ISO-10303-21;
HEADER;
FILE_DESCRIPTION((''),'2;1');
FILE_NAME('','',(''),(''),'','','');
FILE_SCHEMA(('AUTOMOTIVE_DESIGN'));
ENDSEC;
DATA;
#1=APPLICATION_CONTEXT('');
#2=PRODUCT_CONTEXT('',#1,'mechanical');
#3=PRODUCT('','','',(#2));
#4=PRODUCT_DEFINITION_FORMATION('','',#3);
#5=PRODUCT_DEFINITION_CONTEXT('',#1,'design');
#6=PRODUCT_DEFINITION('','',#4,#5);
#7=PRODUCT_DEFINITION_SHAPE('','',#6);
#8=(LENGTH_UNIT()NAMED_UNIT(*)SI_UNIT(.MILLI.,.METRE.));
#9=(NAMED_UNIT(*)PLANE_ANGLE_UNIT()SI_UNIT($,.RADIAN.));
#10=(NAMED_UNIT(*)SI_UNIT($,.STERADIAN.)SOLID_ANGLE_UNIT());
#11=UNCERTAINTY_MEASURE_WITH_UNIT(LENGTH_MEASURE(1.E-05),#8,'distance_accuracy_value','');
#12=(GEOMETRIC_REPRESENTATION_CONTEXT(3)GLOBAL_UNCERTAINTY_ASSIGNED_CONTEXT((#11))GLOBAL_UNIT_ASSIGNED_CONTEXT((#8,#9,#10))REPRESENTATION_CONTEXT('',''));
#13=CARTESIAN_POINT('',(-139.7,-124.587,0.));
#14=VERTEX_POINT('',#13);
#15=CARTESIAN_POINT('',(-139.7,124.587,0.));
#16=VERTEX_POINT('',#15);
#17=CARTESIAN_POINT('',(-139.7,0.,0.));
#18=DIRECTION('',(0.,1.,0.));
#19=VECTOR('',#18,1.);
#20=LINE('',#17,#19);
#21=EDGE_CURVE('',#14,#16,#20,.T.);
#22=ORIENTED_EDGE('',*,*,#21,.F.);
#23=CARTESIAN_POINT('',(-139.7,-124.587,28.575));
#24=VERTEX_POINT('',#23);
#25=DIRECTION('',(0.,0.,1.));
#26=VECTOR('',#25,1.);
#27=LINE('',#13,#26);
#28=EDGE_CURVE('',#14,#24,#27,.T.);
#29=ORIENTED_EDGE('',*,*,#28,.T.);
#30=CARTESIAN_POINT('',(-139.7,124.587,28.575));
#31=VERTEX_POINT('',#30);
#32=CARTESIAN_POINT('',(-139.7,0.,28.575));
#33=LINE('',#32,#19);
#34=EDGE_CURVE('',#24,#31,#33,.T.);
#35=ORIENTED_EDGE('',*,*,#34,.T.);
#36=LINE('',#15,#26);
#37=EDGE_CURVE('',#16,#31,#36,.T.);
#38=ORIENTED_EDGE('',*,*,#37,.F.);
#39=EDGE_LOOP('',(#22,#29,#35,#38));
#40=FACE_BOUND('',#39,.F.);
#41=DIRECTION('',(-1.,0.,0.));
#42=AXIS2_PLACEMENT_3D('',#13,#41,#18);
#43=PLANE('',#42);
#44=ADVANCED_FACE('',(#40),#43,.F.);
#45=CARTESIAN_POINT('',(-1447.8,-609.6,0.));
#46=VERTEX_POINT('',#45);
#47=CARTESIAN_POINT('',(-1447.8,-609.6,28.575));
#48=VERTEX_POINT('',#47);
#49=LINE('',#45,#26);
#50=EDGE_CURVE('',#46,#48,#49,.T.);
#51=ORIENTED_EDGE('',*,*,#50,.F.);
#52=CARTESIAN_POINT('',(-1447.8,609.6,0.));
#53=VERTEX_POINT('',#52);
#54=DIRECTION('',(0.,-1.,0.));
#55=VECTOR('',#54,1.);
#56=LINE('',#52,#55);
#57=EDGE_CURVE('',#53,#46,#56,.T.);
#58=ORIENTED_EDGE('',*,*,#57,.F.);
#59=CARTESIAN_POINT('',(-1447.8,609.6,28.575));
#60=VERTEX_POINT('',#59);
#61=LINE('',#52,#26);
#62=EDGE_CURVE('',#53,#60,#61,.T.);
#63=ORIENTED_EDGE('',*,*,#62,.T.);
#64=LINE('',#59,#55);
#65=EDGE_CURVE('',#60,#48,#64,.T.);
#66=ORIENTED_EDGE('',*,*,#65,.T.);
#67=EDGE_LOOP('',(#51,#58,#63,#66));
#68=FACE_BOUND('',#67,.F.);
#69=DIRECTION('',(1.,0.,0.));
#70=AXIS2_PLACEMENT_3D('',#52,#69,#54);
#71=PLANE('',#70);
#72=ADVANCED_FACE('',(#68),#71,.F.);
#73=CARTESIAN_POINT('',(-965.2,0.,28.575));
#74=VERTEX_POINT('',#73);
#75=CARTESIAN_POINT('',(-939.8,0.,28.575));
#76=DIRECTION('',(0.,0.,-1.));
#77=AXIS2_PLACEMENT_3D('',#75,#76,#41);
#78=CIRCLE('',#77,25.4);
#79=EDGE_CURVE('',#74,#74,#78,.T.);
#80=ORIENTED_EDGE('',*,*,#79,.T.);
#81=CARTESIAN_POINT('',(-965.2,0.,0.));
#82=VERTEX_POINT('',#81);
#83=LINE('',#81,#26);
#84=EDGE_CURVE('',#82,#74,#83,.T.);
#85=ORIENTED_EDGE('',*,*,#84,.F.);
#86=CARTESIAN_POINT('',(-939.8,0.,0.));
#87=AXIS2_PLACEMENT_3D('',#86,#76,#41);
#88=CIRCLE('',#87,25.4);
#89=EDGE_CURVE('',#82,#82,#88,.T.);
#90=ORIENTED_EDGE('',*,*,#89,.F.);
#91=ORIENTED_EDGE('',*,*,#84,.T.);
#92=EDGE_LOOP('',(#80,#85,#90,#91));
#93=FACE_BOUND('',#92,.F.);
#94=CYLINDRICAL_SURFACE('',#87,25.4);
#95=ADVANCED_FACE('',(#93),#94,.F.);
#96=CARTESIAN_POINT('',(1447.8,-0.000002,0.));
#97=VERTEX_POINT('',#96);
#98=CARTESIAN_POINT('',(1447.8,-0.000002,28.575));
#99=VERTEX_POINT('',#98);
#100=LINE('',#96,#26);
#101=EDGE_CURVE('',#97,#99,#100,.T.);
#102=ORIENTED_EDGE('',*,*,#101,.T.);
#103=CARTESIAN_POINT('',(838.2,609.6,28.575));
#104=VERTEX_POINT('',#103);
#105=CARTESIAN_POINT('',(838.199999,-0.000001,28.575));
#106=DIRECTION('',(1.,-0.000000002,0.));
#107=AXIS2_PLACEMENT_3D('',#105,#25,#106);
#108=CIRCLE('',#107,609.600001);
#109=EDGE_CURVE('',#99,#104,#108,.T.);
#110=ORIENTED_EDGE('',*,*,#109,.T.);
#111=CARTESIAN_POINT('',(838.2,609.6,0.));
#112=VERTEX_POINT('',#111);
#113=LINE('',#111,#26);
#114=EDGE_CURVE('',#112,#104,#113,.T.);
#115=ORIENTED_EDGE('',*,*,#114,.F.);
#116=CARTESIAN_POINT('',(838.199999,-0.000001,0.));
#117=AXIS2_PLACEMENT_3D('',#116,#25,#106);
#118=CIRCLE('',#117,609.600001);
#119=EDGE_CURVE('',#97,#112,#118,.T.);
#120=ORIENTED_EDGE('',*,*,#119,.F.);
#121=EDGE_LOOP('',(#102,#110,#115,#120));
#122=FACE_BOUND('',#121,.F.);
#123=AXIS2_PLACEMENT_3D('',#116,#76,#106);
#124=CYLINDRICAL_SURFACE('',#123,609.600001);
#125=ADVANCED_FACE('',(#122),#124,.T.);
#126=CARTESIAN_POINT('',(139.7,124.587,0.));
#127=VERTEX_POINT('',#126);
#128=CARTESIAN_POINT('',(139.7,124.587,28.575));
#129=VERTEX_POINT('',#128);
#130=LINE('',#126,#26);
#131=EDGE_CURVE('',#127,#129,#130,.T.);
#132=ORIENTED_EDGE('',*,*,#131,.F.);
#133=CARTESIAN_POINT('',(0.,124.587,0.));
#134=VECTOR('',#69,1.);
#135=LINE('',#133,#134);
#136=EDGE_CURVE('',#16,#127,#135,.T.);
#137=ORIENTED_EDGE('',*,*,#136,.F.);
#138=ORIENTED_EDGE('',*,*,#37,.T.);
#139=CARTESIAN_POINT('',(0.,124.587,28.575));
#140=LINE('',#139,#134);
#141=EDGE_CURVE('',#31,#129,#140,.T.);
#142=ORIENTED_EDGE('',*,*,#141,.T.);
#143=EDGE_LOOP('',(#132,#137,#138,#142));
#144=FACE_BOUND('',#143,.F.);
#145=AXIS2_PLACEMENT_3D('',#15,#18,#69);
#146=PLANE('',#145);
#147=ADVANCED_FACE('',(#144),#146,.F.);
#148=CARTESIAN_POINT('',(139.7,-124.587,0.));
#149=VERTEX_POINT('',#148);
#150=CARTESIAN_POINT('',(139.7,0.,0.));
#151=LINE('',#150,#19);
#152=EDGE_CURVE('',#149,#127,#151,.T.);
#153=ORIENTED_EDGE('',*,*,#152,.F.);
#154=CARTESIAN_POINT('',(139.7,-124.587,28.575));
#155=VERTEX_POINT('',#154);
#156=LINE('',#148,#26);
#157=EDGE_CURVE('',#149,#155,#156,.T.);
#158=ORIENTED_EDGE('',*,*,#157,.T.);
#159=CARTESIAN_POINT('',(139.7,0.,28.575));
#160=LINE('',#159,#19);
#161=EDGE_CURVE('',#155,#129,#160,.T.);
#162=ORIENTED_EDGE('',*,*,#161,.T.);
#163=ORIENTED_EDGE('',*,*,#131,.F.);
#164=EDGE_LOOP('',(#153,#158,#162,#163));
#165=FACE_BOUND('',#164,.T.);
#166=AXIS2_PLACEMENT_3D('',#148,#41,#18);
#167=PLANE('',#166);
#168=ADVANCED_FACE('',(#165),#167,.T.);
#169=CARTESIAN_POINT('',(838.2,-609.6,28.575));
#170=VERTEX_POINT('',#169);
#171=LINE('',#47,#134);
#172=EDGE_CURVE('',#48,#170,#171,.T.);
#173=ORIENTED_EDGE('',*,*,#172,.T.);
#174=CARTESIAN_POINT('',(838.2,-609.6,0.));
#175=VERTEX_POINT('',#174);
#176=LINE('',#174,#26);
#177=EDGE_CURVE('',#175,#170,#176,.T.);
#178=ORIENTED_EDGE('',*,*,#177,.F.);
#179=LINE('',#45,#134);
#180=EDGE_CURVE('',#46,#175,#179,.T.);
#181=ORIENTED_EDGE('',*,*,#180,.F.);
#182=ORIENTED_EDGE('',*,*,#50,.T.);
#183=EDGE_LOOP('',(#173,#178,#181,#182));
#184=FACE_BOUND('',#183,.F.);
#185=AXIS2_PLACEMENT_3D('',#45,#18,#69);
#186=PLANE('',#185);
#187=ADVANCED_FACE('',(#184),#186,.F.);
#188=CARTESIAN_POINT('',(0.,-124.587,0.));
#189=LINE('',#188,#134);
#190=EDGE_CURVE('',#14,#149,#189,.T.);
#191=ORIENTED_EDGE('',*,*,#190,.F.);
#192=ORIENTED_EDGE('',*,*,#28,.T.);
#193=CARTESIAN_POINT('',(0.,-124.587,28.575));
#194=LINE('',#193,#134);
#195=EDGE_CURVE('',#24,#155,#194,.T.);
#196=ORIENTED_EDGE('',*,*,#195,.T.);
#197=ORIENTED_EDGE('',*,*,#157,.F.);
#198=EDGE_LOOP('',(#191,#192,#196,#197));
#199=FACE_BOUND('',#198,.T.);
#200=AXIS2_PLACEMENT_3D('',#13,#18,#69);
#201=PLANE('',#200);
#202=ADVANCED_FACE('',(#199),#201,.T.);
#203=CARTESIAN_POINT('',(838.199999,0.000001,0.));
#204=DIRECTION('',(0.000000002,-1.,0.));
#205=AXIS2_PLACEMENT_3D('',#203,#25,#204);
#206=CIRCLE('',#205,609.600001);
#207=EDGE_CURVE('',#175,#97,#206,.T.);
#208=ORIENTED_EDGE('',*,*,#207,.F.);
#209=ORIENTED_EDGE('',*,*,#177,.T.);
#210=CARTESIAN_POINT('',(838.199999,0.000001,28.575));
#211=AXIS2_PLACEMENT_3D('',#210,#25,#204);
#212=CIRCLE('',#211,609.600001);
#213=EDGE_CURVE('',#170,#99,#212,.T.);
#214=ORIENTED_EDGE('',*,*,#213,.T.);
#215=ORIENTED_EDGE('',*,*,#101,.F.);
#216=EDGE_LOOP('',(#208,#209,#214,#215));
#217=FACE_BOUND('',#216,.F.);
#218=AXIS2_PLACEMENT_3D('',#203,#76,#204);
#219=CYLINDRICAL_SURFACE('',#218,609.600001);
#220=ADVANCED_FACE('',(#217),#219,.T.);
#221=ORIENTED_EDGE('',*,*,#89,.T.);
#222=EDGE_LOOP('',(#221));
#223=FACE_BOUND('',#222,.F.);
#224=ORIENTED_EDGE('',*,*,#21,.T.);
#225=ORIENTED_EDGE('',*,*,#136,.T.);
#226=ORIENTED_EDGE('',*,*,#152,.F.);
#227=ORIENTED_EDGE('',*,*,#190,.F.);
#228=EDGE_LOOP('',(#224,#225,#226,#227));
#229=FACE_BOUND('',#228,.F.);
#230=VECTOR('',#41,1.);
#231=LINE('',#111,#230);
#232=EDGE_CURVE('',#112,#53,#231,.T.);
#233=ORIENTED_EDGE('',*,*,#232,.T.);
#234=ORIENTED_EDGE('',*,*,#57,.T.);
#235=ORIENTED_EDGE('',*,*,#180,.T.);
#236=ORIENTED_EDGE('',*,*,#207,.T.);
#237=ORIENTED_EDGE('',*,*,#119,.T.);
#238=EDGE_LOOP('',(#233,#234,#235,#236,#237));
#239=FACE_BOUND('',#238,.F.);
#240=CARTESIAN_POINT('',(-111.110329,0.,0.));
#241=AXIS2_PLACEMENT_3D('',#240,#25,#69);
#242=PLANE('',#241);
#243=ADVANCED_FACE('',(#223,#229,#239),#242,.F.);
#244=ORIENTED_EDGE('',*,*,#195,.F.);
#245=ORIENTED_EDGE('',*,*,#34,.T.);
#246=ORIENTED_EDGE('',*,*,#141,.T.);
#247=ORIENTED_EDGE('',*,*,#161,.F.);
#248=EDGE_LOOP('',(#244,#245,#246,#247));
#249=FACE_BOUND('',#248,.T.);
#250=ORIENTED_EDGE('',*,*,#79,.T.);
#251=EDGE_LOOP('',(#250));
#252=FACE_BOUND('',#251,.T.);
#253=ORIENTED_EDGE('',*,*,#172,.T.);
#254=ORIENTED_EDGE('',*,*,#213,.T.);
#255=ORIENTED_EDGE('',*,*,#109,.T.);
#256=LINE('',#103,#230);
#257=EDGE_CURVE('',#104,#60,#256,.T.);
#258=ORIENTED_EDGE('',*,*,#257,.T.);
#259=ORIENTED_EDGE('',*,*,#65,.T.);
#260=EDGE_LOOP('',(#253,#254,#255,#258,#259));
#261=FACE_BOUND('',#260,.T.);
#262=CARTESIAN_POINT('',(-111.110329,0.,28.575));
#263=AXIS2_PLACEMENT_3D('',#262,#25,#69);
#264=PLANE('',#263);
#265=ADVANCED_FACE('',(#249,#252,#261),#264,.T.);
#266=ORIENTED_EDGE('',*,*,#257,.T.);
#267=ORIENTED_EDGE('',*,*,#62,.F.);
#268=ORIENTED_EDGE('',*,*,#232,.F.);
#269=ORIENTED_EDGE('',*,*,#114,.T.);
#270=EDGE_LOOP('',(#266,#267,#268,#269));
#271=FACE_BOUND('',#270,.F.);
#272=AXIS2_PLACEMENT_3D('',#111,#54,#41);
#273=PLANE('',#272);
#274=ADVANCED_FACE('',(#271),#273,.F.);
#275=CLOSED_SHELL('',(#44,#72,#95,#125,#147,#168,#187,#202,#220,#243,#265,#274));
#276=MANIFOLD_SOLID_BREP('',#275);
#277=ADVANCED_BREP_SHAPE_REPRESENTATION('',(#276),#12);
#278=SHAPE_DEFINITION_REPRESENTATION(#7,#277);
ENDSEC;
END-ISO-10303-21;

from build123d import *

# Parameters (mm, degrees)
F0_W     = 279.4
F0_H     = 249.174
F1_DEPTH = 28.575


with BuildPart() as f1:
    # F0 (on Top) → F1 (new body)
    with BuildSketch(Plane.XY):
        with BuildLine():
            ThreePointArc((1447.8, -2e-06), (1269.252294, 431.052293), (838.2, 609.6))
            Line((838.2, 609.6), (-1371.6, 609.6))
            Line((-1371.6, 609.6), (-1447.8, 609.6))
            Line((-1447.8, 609.6), (-1447.8, 533.4))
            Line((-1447.8, 533.4), (-1447.8, 0))
            Line((-1447.8, 0), (-1447.8, -533.4))
            Line((-1447.8, -533.4), (-1447.8, -609.6))
            Line((-1447.8, -609.6), (-1371.6, -609.6))
            Line((-1371.6, -609.6), (838.2, -609.6))
            ThreePointArc((838.2, -609.6), (1269.252293, -431.052294), (1447.8, -2e-06))
        make_face()
        with BuildLine():
            ThreePointArc((-914.4, 0), (-939.8, -25.4), (-965.2, 0))
            ThreePointArc((-965.2, 0), (-939.8, 25.4), (-914.4, 0))
        make_face(mode=Mode.SUBTRACT)
        Rectangle(F0_W, F0_H, mode=Mode.SUBTRACT)
    extrude(amount=F1_DEPTH)


solid = f1.part
